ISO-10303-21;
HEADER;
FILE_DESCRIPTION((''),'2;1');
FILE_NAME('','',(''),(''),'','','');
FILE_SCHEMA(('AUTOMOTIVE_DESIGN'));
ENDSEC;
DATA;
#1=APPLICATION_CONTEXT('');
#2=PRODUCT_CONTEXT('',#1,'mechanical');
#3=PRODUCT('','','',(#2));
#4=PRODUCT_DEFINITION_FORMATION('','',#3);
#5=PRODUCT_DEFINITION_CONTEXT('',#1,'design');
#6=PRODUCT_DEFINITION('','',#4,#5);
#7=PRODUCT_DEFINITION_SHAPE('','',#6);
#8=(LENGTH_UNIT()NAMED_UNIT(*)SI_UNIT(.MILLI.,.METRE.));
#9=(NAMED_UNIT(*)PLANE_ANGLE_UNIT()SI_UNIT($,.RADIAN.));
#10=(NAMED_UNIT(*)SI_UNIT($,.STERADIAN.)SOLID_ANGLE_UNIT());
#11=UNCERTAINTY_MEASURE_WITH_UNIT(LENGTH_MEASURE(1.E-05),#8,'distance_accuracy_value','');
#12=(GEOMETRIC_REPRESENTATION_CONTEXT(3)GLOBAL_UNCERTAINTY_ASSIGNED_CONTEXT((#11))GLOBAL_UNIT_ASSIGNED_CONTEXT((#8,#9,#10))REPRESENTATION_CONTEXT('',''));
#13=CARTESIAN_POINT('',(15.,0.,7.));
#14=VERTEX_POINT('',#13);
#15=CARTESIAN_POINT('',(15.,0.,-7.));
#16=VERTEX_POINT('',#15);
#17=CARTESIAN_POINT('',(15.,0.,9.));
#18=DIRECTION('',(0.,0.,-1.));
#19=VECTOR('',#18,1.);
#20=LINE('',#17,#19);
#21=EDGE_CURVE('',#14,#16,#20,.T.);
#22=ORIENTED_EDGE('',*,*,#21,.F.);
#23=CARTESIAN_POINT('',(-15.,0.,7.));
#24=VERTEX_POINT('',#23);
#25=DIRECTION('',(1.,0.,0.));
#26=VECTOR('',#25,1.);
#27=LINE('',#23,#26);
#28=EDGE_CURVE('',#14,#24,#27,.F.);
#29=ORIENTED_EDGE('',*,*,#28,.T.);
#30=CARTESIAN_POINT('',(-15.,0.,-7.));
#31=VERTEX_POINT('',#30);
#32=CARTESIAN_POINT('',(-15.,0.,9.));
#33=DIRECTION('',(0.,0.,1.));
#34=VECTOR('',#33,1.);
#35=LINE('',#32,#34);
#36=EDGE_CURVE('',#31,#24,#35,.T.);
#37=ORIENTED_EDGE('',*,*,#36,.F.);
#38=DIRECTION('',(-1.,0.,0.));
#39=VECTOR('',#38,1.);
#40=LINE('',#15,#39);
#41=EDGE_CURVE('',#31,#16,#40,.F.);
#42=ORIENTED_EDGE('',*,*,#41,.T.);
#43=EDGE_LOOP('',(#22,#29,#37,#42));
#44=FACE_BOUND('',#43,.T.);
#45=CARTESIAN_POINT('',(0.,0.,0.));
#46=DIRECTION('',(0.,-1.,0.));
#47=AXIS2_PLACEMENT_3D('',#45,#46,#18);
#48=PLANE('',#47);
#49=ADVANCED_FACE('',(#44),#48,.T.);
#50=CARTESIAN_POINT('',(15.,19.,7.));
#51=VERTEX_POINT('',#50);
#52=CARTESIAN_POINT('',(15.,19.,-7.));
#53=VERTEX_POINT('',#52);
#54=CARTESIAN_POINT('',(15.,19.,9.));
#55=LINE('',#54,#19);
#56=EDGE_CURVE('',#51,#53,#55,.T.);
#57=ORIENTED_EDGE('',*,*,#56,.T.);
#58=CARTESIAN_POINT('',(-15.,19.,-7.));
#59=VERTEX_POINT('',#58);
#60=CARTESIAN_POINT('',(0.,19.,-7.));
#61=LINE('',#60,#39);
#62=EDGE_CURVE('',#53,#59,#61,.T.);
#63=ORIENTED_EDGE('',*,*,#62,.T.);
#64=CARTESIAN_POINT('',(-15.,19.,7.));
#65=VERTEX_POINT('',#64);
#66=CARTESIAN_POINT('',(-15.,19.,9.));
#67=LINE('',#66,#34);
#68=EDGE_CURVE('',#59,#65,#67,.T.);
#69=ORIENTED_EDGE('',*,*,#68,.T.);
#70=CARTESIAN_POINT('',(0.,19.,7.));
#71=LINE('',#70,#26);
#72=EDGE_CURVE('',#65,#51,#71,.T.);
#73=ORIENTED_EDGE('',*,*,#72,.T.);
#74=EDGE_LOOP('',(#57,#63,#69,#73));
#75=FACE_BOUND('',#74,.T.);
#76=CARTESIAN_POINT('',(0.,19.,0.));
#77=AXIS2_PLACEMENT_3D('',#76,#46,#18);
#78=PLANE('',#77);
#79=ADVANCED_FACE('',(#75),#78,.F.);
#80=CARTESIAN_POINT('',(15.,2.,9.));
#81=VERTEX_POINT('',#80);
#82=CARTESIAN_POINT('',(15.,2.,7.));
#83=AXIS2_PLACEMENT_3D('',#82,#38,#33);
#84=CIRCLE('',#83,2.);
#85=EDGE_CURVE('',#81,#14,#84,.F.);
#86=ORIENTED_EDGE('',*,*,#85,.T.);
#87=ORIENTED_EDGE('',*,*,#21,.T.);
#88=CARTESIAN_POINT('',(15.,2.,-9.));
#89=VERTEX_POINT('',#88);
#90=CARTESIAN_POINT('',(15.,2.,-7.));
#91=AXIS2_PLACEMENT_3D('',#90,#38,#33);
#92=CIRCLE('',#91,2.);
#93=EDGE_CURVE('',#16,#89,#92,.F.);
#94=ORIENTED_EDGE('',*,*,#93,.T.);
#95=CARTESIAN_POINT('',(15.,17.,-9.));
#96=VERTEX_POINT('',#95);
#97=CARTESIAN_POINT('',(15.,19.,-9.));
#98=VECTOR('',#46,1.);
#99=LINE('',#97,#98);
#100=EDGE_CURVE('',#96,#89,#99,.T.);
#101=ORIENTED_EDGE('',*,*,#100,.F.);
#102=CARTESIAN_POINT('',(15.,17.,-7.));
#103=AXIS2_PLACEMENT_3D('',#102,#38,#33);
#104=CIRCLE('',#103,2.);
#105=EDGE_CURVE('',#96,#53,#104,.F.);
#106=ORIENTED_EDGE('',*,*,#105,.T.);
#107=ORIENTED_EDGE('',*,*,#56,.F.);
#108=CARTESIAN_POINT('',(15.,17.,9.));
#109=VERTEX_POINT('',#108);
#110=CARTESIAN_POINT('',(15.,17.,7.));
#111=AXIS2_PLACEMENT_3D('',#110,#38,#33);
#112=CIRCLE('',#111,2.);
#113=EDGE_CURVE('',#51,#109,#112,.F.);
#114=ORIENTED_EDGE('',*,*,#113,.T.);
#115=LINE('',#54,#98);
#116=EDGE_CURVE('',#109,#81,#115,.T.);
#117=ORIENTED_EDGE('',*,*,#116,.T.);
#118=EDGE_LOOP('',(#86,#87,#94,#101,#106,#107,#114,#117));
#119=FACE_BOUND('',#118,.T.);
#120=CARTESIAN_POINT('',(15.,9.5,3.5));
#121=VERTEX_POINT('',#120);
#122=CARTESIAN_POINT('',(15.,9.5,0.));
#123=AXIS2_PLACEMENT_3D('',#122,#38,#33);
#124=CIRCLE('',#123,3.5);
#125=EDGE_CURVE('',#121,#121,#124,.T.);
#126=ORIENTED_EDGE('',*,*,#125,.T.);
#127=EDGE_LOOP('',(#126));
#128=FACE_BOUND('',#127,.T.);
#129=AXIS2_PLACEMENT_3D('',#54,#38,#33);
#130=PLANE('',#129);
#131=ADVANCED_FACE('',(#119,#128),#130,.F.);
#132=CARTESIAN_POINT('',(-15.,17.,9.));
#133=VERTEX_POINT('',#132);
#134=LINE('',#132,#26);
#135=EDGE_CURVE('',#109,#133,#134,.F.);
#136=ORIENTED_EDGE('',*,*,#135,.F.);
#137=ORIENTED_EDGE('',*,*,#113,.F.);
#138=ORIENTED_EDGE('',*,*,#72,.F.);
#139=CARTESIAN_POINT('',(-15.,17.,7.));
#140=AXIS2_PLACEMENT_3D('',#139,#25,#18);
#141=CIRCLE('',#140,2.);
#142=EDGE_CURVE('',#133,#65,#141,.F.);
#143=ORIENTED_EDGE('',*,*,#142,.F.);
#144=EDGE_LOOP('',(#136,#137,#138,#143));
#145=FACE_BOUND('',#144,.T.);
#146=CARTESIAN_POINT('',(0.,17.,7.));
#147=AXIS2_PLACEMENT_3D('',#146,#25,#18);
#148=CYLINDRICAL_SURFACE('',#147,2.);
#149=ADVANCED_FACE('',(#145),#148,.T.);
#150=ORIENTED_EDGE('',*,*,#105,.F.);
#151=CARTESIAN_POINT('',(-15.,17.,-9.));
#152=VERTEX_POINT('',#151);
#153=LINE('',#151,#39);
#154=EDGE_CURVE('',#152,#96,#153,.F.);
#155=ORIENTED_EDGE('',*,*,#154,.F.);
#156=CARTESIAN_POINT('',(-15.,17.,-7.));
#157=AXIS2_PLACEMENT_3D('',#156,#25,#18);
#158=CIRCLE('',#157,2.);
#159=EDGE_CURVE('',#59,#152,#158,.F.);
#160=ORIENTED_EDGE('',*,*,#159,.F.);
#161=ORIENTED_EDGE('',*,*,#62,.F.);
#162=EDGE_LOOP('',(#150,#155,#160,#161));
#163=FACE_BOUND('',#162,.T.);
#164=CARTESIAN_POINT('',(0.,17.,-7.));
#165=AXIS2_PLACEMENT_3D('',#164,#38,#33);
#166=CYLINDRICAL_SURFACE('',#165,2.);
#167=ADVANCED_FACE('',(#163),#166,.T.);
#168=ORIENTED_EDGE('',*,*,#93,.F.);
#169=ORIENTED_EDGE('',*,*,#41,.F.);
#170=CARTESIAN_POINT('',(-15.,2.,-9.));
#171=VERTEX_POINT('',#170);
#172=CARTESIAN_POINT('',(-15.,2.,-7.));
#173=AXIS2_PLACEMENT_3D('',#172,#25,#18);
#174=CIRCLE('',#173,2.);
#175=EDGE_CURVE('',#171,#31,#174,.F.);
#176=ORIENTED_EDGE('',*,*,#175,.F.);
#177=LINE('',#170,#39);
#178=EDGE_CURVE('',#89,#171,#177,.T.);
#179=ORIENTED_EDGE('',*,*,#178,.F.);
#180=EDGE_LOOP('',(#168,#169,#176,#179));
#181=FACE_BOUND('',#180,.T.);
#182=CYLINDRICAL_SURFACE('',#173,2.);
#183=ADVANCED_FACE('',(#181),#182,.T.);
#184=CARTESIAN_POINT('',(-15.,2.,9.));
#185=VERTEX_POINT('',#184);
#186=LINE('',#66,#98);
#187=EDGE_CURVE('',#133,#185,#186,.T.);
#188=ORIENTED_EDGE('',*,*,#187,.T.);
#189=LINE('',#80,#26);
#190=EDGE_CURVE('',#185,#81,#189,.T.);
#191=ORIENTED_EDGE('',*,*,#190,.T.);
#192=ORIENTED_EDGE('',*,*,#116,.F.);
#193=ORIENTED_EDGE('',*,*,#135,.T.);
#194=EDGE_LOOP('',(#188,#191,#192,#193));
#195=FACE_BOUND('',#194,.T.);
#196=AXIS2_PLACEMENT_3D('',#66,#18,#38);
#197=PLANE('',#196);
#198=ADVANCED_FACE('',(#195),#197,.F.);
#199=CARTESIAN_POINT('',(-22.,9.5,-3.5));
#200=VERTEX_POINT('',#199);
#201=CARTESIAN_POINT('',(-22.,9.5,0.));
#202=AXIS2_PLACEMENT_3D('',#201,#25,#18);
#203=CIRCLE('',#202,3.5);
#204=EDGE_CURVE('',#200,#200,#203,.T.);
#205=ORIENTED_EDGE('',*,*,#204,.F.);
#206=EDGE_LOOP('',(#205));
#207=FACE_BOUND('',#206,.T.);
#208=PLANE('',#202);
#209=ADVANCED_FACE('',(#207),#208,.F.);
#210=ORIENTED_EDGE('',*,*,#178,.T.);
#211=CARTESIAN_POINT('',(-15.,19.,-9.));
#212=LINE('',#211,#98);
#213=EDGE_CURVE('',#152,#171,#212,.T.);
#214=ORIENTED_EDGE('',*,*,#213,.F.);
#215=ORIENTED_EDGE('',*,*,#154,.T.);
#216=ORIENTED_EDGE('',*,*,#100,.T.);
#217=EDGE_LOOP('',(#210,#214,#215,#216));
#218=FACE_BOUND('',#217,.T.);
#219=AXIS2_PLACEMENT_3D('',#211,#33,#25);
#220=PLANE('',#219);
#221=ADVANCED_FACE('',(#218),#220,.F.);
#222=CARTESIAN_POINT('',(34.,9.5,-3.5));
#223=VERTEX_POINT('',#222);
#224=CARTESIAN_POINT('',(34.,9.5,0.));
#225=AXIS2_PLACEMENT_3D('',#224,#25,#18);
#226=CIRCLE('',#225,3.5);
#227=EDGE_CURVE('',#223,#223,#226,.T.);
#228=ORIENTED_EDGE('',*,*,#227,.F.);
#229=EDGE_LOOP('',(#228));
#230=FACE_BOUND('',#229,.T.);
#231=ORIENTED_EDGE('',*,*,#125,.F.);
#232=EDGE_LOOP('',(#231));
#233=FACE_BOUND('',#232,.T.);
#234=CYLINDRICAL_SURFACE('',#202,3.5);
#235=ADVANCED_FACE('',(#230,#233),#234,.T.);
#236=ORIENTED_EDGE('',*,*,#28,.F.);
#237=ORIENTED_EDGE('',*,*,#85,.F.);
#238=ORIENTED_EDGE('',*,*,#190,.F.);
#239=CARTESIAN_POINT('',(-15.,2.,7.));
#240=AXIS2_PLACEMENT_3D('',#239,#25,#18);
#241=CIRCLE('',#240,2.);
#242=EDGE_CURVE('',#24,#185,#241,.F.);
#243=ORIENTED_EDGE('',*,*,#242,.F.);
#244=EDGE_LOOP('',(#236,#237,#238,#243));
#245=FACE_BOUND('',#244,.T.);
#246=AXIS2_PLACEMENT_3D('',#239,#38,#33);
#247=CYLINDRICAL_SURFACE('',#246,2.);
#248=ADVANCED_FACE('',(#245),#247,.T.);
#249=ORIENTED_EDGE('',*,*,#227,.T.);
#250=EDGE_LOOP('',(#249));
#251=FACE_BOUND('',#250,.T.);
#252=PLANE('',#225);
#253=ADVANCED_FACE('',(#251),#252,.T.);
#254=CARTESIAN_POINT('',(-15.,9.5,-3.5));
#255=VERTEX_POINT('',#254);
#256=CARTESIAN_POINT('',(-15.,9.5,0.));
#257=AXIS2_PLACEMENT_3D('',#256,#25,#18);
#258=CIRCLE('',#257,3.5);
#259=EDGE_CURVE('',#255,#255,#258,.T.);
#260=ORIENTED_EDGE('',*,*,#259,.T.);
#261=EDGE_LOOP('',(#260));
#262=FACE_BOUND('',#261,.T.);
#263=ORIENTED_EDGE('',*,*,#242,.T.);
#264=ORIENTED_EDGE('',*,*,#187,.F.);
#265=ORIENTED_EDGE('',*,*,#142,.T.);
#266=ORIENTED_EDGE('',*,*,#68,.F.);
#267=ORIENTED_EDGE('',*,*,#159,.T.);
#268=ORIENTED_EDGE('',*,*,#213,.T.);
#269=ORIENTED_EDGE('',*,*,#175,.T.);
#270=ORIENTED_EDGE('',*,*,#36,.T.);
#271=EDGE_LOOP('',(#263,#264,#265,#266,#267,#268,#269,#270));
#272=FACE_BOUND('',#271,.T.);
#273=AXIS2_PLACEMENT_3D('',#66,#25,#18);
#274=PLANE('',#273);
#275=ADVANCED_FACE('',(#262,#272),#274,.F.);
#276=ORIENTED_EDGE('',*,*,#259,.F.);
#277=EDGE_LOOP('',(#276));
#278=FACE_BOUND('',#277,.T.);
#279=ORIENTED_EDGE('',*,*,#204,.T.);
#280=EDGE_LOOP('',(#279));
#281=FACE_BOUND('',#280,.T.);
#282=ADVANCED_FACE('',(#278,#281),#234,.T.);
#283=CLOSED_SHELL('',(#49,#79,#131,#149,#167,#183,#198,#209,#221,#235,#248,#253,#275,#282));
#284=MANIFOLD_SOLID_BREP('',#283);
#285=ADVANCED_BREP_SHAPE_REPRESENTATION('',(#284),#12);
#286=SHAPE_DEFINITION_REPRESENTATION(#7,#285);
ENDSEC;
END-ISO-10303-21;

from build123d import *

# Parameters (mm, degrees)
SKETCH1_W                = 30
SKETCH1_H                = 18
BOSS_EXTRUDE1_DEPTH      = 19
BOSS_EXTRUDE2_DEPTH      = 19
BOSS_EXTRUDE2_DEPTH_BACK = 37
SKETCH2_R                = 3.5
FILLET1_R                = 2


with BuildPart() as part:
    # Sketch1 → Boss-Extrude1 (new body)
    with BuildSketch(Plane(origin=(0, 0, 0), x_dir=(1, 0, 0), z_dir=(0, 1, 0))):
        Rectangle(SKETCH1_W, SKETCH1_H)
    extrude(amount=BOSS_EXTRUDE1_DEPTH)

    # Sketch2 → Boss-Extrude2 (add, two sides: drawn at the far end of the back side and taken through both)
    with BuildSketch(Plane(origin=(15, 0, 0), x_dir=(0, 0, -1), z_dir=(1, 0, 0)).offset(-BOSS_EXTRUDE2_DEPTH_BACK)):
        with Locations((0, 9.5)):
            Circle(SKETCH2_R)
    extrude(amount=BOSS_EXTRUDE2_DEPTH + BOSS_EXTRUDE2_DEPTH_BACK)

    # Fillet1
    fillet1_edges = [part.edges().sort_by_distance(p)[0] for p in [
        (0, 19, 9),
        (0, 0, 9),
        (0, 0, -9),
        (0, 19, -9),
    ]]
    fillet(fillet1_edges, radius=FILLET1_R)


solid = part.part
